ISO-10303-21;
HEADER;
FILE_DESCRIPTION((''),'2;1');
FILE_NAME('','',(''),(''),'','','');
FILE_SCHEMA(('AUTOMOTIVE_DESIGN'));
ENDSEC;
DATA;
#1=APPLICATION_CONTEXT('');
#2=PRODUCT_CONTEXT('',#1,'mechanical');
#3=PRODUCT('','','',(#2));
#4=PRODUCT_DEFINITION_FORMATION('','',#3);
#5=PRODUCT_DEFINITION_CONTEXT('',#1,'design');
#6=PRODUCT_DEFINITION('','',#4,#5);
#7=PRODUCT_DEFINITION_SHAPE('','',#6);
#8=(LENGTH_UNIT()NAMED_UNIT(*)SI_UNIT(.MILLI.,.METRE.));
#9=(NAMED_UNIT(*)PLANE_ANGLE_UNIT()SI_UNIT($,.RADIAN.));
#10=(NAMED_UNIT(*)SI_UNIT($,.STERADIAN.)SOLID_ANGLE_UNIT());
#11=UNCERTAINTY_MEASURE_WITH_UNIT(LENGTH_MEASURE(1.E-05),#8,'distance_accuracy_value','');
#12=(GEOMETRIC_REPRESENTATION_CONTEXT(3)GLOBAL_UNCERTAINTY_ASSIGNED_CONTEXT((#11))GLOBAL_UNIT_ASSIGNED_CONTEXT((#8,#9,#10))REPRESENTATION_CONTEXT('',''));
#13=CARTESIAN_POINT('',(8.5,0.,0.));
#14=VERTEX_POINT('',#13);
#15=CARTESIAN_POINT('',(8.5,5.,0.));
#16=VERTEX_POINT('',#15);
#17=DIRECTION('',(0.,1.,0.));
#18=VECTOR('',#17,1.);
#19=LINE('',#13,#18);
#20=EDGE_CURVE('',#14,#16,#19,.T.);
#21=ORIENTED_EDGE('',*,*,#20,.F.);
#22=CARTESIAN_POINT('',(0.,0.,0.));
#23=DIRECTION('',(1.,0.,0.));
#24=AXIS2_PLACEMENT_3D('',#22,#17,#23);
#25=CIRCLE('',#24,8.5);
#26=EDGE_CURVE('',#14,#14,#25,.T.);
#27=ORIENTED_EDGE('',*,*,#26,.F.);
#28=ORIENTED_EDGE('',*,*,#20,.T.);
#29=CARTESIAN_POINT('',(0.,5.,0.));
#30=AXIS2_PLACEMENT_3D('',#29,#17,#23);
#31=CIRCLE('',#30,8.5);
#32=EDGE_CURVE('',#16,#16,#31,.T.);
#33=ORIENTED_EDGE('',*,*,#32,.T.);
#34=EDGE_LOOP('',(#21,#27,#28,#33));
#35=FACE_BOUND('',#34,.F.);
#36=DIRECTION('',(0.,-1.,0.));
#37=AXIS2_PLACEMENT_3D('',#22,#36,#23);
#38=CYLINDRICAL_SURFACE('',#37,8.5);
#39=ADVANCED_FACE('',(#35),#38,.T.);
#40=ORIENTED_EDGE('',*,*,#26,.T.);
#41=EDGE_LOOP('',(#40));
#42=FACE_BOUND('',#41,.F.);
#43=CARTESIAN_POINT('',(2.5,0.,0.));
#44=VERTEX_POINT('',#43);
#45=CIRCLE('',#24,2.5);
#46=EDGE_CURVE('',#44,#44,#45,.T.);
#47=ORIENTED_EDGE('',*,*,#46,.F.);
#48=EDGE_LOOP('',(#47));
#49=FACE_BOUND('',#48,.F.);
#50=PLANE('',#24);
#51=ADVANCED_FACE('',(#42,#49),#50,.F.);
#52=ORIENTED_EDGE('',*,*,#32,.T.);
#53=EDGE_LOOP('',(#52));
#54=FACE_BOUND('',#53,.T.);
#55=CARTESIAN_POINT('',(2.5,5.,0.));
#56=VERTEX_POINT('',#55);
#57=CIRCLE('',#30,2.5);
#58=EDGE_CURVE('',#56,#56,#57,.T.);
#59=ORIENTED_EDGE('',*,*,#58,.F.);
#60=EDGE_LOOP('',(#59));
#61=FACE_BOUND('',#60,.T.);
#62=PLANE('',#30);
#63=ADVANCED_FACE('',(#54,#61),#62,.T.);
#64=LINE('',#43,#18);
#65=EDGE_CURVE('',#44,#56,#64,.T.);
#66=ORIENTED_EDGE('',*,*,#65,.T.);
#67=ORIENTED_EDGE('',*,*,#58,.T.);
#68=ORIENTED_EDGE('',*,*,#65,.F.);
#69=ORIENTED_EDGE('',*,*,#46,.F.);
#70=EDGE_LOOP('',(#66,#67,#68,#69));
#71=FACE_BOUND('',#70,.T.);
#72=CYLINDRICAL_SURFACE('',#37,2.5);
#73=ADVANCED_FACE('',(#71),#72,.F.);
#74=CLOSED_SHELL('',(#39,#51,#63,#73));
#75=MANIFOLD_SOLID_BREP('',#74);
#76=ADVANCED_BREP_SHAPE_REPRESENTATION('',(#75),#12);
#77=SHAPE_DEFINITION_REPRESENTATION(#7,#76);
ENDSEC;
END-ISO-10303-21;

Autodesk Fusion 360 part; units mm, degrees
sketch "Sketch1" plane through (0, 0, 0) normal (0, 1, 0) x (1, 0, 0)
  circle A0 centre (0, 0) radius 8.5
  circle A1 centre (0, 0) radius 2.5
  dimension "d1" = 17
  dimension "d2" = 5
extrude "Extrude1" add sketch "Sketch1" along normal blind 5
